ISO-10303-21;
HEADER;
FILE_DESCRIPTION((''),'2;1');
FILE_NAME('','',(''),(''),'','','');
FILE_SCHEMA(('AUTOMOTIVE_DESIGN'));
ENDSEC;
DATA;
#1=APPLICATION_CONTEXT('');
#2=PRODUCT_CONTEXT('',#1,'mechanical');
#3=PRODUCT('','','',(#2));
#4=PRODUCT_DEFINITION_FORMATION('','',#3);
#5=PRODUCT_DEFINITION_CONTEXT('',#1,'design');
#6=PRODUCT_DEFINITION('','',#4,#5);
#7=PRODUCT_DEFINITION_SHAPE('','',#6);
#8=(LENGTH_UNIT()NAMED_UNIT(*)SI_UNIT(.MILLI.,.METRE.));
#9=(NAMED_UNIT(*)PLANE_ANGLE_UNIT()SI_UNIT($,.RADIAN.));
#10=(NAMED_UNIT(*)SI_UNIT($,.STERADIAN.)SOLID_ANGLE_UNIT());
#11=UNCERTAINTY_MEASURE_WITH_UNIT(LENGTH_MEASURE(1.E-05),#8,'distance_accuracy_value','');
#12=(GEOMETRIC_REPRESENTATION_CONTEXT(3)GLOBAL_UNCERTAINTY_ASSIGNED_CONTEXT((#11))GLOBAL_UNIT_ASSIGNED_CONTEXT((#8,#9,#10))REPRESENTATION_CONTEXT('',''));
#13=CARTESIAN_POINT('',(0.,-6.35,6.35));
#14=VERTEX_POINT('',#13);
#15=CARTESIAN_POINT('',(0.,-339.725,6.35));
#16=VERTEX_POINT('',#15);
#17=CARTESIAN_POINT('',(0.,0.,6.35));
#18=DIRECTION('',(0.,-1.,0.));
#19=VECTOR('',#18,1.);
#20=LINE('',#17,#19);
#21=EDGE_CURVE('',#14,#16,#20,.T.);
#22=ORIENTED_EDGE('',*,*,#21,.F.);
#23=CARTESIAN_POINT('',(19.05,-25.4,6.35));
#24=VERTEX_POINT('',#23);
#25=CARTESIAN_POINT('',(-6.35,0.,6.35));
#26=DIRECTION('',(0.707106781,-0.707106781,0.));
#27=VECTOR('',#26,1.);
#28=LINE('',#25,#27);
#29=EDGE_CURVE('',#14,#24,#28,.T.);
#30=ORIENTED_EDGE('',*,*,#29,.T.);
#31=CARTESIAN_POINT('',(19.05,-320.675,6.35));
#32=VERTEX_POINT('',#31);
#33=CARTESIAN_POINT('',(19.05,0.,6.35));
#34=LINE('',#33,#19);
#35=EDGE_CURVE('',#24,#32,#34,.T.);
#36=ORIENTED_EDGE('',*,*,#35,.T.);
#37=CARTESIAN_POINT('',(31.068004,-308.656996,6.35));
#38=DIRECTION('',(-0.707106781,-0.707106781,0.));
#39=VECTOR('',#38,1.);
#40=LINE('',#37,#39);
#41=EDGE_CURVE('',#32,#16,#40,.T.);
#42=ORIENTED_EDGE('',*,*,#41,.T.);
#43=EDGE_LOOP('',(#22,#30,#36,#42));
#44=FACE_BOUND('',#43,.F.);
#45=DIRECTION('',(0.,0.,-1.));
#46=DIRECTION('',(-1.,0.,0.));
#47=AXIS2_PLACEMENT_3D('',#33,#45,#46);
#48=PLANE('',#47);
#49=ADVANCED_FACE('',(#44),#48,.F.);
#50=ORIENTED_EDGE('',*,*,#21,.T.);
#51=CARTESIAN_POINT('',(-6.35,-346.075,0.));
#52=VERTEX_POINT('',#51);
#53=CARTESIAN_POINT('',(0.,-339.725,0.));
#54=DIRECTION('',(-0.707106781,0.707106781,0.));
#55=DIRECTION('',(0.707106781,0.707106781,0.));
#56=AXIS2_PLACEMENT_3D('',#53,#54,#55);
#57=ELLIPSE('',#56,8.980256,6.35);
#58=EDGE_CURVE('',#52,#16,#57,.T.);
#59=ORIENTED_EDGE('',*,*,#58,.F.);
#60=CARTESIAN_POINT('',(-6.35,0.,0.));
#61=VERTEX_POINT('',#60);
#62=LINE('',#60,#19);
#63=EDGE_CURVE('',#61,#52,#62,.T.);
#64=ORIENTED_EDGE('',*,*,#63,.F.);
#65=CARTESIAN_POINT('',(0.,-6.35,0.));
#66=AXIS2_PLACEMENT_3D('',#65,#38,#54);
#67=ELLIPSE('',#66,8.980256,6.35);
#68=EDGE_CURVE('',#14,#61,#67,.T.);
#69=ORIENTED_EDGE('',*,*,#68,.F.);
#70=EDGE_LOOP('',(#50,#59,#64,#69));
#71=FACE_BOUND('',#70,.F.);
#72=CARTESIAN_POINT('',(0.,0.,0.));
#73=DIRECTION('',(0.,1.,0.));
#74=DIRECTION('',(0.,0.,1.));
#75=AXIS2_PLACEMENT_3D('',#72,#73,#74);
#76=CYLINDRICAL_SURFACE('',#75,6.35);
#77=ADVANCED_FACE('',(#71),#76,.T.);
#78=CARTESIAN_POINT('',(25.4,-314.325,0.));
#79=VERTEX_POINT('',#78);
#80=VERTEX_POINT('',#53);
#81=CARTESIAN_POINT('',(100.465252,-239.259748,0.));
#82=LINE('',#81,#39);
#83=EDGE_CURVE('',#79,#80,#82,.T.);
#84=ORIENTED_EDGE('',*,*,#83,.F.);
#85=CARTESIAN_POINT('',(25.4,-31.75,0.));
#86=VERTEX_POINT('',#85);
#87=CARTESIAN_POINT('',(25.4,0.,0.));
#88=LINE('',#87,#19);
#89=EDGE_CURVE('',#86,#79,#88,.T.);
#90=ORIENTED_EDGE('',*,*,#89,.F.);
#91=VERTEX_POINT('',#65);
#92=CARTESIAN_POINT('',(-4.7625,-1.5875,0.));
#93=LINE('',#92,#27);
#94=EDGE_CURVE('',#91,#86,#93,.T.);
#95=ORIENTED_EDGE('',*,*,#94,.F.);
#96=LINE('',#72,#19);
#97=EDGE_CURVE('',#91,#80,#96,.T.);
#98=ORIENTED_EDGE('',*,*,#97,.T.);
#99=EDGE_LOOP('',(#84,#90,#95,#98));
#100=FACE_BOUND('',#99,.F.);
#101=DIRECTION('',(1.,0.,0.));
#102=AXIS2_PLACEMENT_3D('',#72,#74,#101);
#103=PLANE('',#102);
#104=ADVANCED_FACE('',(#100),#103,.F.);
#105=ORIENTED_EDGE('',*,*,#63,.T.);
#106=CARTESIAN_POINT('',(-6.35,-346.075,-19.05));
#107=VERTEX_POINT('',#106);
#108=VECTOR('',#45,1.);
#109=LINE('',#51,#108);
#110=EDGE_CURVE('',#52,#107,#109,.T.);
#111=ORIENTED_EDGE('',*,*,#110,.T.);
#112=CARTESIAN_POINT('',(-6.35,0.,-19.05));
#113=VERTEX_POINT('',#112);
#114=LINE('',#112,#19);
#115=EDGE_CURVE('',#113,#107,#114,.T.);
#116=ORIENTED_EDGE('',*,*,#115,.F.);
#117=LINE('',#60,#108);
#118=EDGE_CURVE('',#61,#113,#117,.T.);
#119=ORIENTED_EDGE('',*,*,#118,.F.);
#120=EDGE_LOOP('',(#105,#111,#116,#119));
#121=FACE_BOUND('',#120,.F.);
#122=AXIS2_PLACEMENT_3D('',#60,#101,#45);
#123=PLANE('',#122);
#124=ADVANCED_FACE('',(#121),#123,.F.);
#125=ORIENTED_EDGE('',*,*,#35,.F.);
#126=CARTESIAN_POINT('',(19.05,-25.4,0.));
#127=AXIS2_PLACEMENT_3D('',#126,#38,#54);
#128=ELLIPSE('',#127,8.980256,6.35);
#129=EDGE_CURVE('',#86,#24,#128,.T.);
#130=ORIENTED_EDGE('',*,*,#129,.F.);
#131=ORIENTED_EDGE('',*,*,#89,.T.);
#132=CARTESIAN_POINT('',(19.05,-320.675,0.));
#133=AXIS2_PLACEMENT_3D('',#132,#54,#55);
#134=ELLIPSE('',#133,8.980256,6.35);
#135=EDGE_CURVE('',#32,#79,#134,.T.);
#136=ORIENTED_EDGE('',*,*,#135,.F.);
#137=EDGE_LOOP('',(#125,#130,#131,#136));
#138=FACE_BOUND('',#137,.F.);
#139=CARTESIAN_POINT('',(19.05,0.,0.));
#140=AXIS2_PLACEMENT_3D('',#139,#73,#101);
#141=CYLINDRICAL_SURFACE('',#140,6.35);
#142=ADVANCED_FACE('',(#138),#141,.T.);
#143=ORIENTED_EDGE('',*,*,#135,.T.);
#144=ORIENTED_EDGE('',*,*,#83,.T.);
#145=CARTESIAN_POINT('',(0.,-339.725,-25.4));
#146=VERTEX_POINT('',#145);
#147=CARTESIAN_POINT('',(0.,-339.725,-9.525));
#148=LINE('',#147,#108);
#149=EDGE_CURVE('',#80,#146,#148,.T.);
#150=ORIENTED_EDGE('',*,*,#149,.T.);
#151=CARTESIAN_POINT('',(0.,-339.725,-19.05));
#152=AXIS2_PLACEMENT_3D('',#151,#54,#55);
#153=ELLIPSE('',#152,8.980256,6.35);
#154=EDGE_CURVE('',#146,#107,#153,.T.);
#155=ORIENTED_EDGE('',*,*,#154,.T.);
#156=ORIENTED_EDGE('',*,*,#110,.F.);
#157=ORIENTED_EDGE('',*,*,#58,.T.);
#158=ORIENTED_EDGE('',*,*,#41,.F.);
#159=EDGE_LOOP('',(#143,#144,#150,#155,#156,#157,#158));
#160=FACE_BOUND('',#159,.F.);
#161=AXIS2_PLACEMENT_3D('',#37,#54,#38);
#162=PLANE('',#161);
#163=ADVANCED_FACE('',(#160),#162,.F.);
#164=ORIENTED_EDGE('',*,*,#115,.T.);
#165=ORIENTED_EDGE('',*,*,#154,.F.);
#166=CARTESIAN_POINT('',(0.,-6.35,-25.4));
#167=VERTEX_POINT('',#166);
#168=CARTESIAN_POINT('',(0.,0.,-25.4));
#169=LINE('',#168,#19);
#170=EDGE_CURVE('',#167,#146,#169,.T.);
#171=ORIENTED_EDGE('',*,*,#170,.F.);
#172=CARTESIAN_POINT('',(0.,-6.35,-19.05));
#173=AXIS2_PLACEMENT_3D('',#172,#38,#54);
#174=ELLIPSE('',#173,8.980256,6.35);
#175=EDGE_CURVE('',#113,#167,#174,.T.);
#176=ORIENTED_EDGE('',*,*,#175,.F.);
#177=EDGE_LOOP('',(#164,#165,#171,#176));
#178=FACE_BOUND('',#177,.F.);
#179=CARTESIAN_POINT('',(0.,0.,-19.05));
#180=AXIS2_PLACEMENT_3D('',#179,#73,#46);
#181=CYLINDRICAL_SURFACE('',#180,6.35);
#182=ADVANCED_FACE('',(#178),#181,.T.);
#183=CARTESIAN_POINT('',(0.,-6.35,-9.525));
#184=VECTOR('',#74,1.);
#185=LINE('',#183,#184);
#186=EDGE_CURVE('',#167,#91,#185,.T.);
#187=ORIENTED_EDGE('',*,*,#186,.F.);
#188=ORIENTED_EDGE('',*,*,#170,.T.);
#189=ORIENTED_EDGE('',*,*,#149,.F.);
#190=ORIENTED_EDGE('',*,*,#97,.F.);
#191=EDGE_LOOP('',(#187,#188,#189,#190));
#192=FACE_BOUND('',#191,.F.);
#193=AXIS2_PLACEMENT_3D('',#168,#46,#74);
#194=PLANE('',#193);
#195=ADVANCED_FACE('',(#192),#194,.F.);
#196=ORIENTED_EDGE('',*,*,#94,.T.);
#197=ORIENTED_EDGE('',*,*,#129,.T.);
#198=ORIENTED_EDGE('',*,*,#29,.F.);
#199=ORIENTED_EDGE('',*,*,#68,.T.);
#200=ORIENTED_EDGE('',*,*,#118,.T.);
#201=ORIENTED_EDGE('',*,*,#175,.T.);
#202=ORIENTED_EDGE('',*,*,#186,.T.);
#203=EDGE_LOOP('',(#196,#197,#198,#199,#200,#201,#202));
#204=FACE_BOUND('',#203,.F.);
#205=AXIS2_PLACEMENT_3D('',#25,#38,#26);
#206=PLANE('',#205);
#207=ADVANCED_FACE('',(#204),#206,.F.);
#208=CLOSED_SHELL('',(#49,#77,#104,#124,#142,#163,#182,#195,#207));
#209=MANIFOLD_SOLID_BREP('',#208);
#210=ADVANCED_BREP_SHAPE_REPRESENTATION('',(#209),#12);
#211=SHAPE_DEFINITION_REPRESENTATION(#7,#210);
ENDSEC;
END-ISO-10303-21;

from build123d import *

# Parameters (mm, degrees)
F1_DEPTH = 346.075
F3_DEPTH = 31.751
F5_DEPTH = 38.1


with BuildPart() as f1:
    # F0 (on Front) → F1 (new body)
    with BuildSketch(Plane.XZ):
        with BuildLine():
            Line((0, -25.4), (0, 0))
            Line((0, 0), (25.4, 0))
            ThreePointArc((25.4, 0), (23.5401280605, 4.4901280605), (19.05, 6.35))
            Line((19.05, 6.35), (0, 6.35))
            ThreePointArc((0, 6.35), (-4.4901280605, 4.4901280605), (-6.35, 0))
            Line((-6.35, 0), (-6.35, -19.05))
            ThreePointArc((-6.35, -19.05), (-4.4901280605, -23.5401280605), (0, -25.4))
        make_face()
    extrude(amount=F1_DEPTH)

    # F2 (on face) → F3 (cut, through all)
    with BuildSketch(Plane.XY.offset(6.35)):
        Polygon((31.0680039475, -308.6569960525), (19.05, -320.675), (19.05, -346.075), (25.9507503361, -346.075), align=None)
        Polygon((19.05, -320.675), (0, -339.725), (0, -346.075), (19.05, -346.075), align=None)
        Polygon((0, -339.725), (-6.35, -346.075), (0, -346.075), align=None)
    extrude(amount=-F3_DEPTH, mode=Mode.SUBTRACT)

    # F4 (on face) → F5 (cut)
    with BuildSketch(Plane.XY.offset(6.35)):
        Polygon((25.4, 0), (-6.35, 0), (25.4, -31.75), align=None)
    extrude(amount=-F5_DEPTH, mode=Mode.SUBTRACT)


solid = f1.part
